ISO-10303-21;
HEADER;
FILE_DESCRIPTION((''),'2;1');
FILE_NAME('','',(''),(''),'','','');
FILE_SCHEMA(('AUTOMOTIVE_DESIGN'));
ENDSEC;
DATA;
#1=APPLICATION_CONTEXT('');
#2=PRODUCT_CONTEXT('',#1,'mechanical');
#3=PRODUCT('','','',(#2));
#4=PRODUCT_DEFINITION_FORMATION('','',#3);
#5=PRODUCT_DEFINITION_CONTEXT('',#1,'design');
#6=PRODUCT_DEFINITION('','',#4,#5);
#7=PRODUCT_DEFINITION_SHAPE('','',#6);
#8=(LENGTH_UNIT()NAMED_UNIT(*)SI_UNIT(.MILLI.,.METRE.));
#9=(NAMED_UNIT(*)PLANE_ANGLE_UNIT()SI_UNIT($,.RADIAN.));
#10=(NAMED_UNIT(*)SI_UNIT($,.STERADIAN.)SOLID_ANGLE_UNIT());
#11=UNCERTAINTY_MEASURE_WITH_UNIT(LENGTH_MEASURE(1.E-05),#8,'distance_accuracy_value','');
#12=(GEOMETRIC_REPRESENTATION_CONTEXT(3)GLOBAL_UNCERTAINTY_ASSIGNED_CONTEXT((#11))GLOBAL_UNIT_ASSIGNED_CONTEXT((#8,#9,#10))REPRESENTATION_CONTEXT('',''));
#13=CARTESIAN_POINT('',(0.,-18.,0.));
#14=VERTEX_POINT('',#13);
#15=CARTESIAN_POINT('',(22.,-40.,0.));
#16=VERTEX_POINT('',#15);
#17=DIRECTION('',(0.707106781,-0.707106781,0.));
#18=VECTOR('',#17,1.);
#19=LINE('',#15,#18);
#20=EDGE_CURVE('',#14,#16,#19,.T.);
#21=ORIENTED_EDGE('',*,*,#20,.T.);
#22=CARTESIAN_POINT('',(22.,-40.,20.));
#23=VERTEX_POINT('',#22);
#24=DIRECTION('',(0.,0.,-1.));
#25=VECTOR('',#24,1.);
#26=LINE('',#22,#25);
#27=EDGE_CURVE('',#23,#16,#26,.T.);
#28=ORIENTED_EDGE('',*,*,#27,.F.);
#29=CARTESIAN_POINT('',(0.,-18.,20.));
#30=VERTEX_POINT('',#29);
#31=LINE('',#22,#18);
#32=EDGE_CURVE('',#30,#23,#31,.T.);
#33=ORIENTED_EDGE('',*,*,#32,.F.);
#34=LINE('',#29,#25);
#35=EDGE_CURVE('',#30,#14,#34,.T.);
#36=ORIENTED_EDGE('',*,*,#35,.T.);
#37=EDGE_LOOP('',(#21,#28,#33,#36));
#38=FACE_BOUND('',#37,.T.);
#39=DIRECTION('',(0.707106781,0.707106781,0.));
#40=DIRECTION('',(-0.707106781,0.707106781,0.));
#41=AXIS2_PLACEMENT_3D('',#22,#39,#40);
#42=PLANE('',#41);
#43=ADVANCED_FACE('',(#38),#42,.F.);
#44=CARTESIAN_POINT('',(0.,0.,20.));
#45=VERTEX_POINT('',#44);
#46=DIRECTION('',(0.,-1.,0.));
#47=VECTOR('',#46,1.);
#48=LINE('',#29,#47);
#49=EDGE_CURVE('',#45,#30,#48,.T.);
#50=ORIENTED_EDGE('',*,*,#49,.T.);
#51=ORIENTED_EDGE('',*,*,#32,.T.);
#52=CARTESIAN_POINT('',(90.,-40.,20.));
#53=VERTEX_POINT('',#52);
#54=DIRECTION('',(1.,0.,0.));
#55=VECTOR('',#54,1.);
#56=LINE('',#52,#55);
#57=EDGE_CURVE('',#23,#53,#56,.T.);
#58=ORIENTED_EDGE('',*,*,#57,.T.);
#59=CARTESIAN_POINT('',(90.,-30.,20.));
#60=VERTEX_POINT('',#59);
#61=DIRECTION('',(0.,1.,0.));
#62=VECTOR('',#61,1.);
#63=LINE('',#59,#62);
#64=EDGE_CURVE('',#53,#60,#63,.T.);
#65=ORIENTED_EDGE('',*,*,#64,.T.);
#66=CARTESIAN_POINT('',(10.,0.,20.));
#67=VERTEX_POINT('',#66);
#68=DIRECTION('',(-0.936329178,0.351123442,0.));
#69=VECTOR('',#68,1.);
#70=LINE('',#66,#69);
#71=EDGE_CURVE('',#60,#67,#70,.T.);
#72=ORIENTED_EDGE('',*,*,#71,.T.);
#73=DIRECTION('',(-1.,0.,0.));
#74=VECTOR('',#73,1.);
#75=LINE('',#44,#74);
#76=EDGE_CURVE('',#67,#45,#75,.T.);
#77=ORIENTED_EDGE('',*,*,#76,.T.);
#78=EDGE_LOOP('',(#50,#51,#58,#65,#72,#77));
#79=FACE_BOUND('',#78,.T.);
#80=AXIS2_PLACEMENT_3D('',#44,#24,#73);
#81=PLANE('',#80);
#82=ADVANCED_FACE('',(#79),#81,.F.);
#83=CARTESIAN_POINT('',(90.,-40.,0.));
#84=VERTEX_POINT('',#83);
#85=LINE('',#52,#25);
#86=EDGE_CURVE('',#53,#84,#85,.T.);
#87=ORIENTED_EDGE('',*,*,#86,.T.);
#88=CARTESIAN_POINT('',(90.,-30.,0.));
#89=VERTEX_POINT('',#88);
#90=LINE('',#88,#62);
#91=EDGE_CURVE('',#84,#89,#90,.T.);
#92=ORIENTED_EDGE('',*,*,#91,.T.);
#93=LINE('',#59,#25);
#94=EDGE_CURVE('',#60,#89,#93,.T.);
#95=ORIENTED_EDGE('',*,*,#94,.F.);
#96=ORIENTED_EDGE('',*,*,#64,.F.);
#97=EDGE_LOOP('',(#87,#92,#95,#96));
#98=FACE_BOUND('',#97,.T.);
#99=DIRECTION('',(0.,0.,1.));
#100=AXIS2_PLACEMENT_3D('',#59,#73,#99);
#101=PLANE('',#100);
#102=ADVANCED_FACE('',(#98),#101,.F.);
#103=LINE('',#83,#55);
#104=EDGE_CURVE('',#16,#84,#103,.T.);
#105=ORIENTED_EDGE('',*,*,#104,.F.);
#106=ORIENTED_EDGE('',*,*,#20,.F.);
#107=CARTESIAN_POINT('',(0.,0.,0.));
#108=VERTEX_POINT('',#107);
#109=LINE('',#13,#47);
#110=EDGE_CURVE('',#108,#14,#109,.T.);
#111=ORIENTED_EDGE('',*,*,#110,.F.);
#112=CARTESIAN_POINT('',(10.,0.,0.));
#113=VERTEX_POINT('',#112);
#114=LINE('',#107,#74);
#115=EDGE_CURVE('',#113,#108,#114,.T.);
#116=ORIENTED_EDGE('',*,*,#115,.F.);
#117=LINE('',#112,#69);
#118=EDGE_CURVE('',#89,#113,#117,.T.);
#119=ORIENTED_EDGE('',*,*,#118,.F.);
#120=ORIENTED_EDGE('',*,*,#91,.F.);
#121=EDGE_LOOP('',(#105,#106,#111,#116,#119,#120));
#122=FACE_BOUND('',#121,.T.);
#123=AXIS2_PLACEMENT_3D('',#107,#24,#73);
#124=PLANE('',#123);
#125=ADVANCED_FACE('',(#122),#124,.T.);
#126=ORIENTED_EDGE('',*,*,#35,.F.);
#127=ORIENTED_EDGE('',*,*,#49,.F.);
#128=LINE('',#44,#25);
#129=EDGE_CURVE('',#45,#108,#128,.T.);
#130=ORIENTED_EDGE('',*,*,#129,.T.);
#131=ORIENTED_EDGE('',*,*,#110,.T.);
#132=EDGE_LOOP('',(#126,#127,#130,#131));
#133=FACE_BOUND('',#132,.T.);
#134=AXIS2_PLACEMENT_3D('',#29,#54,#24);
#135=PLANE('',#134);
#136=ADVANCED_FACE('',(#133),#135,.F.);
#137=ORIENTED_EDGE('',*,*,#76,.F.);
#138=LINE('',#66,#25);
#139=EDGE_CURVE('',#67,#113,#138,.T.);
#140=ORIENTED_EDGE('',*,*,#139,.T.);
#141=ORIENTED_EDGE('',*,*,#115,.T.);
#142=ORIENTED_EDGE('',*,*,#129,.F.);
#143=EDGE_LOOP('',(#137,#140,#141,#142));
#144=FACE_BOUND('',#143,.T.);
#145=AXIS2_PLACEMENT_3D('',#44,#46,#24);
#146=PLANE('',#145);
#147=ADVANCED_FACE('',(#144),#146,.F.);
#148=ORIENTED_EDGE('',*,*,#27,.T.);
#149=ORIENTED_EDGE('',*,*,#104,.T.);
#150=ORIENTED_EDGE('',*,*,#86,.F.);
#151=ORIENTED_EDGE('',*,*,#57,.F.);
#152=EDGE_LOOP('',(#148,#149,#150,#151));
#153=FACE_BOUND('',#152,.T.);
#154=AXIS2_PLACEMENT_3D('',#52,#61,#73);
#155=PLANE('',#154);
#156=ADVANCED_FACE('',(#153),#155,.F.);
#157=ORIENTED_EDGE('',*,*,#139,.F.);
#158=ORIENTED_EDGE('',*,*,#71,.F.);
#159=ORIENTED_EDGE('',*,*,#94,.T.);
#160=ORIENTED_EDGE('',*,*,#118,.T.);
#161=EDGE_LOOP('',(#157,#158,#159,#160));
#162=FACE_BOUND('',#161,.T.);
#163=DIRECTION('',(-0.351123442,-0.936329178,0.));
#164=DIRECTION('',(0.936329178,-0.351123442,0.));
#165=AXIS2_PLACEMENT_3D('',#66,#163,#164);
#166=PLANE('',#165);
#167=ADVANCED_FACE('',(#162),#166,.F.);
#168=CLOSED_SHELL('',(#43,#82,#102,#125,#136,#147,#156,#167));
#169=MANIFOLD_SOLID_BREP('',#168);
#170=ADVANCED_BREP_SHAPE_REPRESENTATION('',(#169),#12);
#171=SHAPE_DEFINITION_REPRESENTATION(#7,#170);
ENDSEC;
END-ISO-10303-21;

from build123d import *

# Parameters (mm, degrees)
EXTRUDE_1_DEPTH = 20


with BuildPart() as part:
    # 草图1 → 凸台-拉伸1 (new body)
    with BuildSketch(Plane.XY):
        Polygon((0, 0), (10, 0), (90, -30), (90, -40), (22, -40), (0, -18), align=None)
    extrude(amount=EXTRUDE_1_DEPTH)


solid = part.part
